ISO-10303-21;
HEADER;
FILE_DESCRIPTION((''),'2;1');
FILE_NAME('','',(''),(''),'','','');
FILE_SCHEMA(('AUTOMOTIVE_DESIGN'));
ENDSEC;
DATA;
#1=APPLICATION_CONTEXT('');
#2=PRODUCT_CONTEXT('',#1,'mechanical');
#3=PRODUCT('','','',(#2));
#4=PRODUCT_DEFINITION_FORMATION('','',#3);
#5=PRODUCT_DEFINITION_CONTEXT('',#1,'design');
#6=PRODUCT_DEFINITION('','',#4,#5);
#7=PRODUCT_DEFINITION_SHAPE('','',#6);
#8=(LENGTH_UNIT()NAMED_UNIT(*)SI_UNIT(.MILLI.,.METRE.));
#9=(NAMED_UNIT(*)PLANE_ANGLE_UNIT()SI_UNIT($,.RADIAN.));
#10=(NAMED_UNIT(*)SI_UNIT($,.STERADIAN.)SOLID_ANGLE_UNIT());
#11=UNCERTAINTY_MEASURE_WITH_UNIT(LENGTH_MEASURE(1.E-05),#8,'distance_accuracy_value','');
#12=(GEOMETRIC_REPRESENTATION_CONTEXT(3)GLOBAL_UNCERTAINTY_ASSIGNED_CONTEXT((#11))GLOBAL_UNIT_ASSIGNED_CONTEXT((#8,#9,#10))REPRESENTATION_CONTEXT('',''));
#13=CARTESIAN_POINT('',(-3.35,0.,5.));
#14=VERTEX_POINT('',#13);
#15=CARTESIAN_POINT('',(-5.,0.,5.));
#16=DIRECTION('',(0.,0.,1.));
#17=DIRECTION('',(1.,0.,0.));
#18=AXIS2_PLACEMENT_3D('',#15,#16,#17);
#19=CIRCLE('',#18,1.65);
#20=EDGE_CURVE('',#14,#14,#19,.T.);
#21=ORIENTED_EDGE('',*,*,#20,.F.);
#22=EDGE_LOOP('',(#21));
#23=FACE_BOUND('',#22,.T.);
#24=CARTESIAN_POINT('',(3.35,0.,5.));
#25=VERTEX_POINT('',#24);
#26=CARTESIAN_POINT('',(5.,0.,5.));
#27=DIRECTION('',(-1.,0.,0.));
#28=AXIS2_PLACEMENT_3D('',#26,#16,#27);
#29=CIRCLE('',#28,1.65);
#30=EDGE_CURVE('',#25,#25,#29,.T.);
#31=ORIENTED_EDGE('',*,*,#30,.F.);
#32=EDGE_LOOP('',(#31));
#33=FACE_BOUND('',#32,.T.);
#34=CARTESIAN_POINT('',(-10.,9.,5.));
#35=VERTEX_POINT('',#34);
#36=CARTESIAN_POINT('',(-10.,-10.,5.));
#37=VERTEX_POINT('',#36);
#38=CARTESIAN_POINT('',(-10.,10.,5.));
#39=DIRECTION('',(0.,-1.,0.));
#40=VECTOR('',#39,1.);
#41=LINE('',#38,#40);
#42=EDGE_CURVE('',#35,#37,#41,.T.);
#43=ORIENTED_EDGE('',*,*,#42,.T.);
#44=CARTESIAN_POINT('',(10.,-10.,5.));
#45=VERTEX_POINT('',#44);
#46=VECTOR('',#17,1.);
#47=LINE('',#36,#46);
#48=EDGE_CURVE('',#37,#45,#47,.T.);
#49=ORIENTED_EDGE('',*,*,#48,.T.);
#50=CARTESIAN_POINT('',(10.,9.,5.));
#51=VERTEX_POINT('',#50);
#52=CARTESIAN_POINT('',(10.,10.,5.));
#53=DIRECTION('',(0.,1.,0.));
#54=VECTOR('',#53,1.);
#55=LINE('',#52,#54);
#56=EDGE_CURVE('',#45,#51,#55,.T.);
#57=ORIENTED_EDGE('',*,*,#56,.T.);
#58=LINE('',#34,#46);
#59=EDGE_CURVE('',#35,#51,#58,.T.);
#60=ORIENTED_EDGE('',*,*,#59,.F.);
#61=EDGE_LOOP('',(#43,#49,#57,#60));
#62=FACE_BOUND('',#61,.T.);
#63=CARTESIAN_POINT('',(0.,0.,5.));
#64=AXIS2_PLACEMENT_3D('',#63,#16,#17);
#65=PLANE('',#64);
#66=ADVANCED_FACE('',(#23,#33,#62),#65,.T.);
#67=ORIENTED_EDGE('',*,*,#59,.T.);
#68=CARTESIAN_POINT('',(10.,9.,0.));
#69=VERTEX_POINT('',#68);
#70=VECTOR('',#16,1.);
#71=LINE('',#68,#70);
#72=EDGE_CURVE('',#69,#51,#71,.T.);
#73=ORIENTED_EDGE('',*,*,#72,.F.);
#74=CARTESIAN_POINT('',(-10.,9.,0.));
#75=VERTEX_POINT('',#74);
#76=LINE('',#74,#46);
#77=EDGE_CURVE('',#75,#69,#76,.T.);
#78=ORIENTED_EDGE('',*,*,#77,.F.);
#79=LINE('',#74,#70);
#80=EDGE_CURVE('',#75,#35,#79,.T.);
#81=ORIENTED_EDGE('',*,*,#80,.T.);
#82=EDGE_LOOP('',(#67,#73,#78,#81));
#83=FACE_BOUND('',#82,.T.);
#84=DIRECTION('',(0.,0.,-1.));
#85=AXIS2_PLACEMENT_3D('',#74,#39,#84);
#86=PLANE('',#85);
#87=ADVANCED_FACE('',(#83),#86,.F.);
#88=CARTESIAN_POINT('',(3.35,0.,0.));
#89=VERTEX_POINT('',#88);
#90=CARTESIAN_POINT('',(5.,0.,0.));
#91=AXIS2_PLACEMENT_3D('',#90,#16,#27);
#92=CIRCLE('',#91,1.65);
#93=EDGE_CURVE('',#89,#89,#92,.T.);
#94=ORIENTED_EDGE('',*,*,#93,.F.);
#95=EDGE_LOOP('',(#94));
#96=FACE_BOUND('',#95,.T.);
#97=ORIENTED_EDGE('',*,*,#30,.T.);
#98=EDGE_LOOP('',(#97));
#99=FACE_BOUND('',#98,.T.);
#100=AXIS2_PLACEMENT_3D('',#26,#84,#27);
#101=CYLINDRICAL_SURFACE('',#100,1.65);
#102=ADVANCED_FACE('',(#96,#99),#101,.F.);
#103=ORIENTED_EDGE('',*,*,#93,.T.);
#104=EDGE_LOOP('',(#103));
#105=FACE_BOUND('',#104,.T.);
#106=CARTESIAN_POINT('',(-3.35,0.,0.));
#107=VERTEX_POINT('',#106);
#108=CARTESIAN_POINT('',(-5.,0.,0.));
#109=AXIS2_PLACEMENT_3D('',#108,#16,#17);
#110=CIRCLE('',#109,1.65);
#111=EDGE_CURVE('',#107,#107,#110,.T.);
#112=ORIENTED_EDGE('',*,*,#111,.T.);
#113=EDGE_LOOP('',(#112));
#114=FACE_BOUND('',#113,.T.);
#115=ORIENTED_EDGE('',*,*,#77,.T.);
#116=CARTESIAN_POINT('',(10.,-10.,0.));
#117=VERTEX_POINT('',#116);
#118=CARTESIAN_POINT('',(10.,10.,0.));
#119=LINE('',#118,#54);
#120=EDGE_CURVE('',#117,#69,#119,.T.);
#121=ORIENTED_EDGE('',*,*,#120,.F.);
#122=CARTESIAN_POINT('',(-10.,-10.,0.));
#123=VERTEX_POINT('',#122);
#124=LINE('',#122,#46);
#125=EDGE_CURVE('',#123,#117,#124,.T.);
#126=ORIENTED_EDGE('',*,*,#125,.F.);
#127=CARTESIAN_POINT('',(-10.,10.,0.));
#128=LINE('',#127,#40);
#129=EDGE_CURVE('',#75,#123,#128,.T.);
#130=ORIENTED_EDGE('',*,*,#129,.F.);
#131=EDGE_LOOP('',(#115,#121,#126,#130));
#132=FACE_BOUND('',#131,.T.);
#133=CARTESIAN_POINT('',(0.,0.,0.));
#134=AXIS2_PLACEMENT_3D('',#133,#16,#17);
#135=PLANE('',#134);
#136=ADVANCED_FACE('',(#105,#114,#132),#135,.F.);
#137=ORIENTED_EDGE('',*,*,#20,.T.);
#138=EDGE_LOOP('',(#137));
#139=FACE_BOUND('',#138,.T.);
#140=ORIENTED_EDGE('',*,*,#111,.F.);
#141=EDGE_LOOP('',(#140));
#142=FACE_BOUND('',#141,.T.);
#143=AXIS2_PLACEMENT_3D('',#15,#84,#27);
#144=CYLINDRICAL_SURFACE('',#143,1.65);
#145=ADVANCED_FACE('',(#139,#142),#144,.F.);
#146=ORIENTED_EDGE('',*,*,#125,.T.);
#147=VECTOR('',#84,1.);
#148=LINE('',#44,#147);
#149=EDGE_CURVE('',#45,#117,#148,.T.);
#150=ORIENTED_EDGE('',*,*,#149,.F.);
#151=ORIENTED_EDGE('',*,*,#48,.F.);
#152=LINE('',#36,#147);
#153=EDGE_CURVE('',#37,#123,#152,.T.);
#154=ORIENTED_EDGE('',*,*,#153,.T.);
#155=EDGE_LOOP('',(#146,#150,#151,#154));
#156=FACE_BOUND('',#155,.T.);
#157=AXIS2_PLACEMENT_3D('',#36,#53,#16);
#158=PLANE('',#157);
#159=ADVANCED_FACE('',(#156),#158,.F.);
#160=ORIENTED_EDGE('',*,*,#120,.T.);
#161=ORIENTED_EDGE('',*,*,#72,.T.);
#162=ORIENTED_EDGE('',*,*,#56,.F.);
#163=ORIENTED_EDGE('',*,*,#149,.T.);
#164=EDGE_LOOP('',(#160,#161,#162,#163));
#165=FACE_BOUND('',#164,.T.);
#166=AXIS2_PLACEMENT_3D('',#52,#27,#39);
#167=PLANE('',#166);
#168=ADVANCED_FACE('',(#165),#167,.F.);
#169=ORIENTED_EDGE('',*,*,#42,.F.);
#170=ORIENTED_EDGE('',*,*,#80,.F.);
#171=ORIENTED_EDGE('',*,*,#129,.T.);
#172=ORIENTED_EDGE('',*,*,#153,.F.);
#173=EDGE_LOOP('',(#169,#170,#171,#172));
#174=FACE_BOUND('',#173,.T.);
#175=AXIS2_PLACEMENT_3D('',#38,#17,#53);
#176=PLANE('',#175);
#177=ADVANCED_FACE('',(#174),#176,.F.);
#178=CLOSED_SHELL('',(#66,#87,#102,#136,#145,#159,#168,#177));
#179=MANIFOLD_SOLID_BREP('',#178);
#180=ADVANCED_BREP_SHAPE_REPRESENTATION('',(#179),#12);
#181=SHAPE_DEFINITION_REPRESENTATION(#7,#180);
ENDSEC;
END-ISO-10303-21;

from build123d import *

# Parameters (mm, degrees)
SKETCH_1_W          = 20
SKETCH_1_H          = 20
SKETCH_1_R          = 1.65
EXTRUDE_1_DEPTH     = 5
SKETCH_2_W          = 20
SKETCH_2_H          = 1
CUT_EXTRUDE_1_DEPTH = 5


with BuildPart() as part:
    # 草图1 → 凸台-拉伸1 (new body)
    with BuildSketch(Plane.XY):
        Rectangle(SKETCH_1_W, SKETCH_1_H)
        with Locations((-5, 0)):
            Circle(SKETCH_1_R, mode=Mode.SUBTRACT)
        with Locations(Location((5, 0, 0), (0, 0, 180))):
            Circle(SKETCH_1_R, mode=Mode.SUBTRACT)
    extrude(amount=EXTRUDE_1_DEPTH)

    # 草图2 → 切除-拉伸1 (cut)
    with BuildSketch(Plane.XY.offset(5)):
        with Locations((0, 9.5)):
            Rectangle(SKETCH_2_W, SKETCH_2_H)
    extrude(amount=-CUT_EXTRUDE_1_DEPTH, mode=Mode.SUBTRACT)


solid = part.part
